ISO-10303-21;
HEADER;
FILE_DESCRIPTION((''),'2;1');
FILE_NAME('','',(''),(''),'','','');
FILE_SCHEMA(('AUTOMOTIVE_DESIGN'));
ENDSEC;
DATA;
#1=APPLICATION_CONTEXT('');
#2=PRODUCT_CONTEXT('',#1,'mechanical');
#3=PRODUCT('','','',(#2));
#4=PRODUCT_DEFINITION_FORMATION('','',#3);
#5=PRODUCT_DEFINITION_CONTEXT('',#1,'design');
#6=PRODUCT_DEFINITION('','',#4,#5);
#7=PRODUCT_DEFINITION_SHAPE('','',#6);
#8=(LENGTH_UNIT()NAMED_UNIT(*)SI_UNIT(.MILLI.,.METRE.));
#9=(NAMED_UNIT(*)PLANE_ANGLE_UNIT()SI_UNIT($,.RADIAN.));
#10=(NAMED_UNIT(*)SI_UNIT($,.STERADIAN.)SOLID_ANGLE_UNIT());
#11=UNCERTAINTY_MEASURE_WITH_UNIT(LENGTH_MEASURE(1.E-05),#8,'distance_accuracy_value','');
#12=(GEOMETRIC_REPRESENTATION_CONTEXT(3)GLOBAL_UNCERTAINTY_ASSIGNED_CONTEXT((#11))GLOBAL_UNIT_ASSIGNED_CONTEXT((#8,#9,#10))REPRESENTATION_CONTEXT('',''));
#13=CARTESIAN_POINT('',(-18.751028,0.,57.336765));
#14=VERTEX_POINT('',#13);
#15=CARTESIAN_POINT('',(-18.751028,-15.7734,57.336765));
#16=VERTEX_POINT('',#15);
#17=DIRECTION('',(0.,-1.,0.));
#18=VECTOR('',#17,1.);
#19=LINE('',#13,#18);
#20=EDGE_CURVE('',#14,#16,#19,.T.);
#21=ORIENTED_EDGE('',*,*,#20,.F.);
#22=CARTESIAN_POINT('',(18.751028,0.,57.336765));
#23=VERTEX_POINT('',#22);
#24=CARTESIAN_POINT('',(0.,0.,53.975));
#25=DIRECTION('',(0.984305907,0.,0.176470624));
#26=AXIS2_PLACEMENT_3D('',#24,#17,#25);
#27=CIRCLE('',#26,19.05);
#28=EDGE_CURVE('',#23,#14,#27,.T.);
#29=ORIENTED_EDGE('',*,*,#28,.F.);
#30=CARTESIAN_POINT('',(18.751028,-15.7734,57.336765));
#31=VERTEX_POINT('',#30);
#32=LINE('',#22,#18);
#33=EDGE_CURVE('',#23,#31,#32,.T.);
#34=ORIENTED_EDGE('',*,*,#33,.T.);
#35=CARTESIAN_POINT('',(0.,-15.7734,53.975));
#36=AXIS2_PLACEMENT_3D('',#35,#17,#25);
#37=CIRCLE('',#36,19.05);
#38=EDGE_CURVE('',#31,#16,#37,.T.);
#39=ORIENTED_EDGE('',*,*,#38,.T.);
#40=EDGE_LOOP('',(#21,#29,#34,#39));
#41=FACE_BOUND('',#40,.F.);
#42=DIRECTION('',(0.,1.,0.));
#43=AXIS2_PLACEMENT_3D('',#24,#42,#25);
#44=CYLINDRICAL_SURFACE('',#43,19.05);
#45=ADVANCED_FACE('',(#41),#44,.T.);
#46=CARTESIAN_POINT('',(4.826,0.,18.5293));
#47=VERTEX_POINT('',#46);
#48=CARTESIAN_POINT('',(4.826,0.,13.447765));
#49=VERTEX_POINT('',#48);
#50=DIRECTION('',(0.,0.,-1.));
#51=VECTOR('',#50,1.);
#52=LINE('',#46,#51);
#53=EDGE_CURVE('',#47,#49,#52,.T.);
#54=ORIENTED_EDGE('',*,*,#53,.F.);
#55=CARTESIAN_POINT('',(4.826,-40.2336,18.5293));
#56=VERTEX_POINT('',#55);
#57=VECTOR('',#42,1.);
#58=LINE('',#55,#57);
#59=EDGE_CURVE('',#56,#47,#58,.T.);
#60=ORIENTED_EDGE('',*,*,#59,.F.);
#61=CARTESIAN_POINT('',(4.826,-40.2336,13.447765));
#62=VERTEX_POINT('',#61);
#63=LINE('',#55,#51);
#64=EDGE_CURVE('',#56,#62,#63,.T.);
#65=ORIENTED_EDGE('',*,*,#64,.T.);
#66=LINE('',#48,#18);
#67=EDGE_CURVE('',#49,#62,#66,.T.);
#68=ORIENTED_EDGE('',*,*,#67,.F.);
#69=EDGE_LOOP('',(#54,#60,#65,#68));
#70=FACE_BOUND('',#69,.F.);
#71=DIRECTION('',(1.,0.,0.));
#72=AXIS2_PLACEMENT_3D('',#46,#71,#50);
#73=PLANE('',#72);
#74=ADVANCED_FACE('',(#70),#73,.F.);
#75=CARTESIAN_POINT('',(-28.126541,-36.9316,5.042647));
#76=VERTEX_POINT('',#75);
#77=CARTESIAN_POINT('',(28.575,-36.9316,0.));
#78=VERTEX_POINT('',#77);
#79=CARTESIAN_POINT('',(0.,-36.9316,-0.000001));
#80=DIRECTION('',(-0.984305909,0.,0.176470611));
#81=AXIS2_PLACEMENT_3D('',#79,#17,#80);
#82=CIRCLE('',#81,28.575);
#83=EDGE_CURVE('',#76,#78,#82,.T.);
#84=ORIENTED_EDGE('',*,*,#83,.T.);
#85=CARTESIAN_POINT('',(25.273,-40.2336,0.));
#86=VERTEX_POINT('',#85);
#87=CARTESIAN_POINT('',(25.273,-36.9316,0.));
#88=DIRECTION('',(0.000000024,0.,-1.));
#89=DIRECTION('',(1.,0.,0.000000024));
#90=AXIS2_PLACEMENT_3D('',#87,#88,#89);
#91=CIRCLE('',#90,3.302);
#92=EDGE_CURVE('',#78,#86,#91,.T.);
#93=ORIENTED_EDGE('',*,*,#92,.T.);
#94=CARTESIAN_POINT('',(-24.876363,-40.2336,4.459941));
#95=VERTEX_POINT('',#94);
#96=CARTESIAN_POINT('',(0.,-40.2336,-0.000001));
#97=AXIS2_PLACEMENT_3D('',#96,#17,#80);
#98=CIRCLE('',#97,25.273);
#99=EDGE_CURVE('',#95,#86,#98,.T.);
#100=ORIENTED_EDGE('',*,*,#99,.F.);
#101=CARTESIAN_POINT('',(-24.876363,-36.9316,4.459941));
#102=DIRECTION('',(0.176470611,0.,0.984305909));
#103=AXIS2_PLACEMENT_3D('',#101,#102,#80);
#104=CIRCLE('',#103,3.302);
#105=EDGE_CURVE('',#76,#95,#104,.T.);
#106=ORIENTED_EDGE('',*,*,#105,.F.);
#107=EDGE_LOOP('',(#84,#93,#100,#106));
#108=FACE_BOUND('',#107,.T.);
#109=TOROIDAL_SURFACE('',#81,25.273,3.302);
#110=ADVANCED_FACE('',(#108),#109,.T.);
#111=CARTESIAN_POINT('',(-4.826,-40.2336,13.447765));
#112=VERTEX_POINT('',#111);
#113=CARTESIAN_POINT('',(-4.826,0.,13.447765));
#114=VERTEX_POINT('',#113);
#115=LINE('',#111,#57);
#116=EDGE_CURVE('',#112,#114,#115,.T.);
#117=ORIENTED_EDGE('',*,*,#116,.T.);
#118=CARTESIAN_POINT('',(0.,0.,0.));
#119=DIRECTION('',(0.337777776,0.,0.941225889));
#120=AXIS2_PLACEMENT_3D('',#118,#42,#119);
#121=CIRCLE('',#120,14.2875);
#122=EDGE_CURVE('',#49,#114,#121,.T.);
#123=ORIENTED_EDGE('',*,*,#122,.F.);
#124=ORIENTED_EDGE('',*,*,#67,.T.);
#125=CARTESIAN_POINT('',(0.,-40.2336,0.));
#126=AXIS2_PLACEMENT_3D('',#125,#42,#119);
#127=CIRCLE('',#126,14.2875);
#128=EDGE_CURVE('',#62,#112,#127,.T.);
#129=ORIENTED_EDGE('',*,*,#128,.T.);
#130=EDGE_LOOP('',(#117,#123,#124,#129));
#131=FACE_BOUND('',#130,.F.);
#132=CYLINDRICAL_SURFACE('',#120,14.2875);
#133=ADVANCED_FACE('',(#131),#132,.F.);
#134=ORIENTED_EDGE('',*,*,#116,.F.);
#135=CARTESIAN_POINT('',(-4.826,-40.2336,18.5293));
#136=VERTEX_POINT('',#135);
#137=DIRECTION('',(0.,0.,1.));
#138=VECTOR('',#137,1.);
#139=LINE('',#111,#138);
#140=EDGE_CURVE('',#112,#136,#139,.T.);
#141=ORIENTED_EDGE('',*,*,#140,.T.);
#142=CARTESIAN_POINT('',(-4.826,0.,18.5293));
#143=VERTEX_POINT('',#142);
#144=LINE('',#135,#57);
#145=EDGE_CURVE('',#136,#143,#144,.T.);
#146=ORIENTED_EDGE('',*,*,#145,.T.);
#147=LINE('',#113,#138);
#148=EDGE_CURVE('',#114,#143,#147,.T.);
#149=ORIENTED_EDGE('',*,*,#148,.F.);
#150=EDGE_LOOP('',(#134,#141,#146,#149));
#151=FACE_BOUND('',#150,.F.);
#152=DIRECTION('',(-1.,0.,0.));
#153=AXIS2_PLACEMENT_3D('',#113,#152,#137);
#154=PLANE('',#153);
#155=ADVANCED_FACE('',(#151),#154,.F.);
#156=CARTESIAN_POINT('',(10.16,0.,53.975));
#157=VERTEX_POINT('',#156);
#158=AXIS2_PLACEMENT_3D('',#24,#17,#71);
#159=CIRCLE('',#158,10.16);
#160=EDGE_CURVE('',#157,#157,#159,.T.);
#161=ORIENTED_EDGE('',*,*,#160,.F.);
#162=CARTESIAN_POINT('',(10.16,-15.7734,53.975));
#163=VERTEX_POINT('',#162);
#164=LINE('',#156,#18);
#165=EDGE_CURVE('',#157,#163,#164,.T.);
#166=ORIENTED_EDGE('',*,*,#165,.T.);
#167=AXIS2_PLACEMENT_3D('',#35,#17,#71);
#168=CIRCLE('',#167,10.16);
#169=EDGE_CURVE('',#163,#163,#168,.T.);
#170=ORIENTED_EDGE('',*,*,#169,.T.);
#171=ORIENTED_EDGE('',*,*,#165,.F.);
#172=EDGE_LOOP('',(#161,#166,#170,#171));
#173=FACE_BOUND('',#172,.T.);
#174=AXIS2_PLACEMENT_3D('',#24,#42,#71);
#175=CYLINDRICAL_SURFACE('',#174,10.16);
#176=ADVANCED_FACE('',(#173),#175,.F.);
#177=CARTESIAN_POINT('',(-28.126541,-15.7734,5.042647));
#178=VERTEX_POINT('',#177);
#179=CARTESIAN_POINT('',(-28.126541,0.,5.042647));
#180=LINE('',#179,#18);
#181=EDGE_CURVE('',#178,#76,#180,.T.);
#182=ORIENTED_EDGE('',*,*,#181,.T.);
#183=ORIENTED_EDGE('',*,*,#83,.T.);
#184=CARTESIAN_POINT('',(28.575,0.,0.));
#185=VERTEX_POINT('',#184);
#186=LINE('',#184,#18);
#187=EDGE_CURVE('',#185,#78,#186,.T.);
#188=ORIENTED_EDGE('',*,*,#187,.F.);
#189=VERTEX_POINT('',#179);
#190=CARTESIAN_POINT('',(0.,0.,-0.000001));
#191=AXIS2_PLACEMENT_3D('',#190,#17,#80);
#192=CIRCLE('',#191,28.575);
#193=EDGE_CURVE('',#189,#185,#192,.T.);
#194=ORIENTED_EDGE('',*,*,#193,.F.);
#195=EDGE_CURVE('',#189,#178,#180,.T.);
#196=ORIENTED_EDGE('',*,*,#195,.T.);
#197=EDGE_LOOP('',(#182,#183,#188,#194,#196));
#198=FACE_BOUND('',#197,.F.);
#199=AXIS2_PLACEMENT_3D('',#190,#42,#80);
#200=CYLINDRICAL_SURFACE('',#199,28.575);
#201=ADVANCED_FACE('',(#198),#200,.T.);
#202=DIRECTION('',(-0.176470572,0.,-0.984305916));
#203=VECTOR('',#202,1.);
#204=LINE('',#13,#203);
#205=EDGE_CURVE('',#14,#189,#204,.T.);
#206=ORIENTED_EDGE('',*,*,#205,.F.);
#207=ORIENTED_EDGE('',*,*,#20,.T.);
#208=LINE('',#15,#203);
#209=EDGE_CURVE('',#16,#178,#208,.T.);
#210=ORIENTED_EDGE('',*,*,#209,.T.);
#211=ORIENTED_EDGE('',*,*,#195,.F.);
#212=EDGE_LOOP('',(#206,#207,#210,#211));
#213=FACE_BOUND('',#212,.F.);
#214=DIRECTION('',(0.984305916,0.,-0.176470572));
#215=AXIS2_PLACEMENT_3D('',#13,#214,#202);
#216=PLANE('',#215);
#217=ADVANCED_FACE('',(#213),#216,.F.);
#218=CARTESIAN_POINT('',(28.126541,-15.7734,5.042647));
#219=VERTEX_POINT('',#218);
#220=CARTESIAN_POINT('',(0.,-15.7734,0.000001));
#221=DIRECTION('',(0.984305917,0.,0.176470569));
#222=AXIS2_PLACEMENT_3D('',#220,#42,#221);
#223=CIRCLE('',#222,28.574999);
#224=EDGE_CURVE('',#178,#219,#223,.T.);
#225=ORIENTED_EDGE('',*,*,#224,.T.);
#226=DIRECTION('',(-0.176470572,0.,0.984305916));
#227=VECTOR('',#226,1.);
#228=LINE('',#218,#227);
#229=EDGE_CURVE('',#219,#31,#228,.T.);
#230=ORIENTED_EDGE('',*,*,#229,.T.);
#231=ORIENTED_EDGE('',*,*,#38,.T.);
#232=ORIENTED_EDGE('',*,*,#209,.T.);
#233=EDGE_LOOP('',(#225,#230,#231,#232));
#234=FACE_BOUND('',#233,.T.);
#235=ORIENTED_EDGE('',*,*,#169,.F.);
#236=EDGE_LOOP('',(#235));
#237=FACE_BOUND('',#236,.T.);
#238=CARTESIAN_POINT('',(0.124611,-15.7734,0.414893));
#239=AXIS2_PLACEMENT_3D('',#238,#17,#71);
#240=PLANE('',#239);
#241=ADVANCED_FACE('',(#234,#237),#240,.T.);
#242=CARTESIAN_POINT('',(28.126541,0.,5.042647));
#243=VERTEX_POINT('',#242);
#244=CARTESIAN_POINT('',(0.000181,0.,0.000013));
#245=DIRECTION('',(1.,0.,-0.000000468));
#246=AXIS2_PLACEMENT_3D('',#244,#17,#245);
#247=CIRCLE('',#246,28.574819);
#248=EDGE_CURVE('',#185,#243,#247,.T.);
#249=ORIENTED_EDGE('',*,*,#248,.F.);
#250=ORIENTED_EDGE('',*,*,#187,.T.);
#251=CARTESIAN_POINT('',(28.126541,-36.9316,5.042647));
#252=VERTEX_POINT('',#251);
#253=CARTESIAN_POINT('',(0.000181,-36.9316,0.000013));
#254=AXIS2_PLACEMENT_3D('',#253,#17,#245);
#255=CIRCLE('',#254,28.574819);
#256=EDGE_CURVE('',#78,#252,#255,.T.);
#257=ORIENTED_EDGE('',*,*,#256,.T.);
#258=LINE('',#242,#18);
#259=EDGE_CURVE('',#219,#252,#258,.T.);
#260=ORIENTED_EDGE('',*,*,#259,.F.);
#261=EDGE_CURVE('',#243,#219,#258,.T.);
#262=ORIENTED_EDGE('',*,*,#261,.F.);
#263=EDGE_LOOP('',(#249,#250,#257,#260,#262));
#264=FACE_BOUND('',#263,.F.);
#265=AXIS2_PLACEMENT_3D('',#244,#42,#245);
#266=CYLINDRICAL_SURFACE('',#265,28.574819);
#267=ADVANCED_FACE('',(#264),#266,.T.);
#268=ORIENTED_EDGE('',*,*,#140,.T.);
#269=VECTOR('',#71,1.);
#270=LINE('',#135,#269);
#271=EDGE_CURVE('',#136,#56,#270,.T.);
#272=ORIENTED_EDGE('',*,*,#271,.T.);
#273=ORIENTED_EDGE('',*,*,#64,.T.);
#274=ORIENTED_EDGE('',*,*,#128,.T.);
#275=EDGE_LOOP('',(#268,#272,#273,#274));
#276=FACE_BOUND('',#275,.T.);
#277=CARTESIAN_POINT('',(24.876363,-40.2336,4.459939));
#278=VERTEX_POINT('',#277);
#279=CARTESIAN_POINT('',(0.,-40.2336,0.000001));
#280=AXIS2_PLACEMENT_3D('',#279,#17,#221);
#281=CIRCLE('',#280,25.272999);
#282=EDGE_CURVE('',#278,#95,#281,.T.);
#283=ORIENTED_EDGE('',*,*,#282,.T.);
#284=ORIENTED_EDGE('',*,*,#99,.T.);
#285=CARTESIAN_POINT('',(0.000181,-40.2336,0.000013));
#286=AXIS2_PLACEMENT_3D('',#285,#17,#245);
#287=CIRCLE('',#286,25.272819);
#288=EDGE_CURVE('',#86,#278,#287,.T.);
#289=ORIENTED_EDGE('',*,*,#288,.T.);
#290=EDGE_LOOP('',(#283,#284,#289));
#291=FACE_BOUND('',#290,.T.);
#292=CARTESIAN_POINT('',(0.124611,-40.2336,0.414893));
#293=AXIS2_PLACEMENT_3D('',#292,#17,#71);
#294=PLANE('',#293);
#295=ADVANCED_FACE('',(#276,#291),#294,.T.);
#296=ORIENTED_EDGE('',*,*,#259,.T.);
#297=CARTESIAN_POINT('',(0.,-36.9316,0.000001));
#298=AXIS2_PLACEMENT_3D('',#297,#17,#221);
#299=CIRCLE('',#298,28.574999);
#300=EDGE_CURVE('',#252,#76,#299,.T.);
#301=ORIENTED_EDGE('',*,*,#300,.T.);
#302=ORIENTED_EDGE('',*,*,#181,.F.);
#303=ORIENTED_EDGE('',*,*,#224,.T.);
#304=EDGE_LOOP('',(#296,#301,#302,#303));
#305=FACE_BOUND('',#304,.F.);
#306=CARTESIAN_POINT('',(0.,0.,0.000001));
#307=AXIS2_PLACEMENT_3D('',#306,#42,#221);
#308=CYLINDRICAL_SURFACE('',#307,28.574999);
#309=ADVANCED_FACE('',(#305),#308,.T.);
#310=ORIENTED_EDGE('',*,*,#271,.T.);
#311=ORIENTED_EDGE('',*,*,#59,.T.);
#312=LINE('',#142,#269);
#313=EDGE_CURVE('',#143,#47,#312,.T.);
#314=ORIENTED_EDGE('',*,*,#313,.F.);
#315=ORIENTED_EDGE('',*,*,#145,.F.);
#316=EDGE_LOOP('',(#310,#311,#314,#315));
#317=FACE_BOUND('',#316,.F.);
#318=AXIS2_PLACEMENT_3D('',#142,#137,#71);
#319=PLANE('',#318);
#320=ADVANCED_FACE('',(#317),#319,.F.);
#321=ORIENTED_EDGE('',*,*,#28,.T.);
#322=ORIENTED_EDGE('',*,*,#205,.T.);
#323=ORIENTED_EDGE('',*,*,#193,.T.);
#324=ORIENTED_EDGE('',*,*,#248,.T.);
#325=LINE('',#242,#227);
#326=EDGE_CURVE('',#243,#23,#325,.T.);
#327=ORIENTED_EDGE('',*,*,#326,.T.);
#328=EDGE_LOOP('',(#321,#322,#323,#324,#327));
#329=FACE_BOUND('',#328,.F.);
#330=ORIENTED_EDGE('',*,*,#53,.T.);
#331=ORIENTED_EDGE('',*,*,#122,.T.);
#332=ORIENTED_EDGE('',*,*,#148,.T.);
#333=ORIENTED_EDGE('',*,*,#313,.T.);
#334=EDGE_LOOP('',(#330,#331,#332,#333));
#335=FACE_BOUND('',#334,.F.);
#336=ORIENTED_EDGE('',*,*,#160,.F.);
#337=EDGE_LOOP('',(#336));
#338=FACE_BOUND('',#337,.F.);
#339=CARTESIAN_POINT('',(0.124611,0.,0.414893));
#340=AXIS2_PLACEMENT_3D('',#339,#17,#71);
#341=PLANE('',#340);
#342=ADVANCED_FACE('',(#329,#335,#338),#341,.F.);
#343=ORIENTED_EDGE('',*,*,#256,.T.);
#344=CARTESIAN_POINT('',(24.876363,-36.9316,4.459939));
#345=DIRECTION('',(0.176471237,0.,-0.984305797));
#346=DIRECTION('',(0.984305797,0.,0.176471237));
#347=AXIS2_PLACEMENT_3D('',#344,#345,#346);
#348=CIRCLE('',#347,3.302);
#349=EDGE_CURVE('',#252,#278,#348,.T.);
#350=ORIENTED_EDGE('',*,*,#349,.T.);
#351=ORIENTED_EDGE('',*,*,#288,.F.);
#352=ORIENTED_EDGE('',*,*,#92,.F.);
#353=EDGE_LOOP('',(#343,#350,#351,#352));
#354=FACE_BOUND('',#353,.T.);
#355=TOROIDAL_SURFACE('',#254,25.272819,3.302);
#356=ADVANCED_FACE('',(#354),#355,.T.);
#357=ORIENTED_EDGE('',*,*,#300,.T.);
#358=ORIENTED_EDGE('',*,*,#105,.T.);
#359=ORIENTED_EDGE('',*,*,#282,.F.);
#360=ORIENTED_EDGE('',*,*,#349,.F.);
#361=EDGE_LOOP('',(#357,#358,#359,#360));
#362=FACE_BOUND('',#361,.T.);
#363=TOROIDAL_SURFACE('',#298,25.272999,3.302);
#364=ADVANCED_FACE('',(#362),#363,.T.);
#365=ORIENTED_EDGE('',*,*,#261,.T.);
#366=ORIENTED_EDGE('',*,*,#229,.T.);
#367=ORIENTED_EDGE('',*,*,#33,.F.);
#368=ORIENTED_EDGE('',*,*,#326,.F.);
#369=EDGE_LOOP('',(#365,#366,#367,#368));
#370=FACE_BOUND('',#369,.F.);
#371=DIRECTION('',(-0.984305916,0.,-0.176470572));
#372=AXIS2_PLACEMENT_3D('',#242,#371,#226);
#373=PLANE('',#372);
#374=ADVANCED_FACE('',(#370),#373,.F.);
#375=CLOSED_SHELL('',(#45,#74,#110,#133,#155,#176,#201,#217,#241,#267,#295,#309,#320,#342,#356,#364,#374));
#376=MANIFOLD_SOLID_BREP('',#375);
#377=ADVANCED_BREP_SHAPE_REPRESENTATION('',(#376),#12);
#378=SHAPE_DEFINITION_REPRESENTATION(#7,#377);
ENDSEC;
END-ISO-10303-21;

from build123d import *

# Parameters (mm, degrees)
F1_DEPTH = 40.2336
F0_R     = 10.16
F2_DEPTH = 15.7734
F3_R     = 3.302


with BuildPart() as f1:
    # F0 (on Front) → F1 (new body)
    with BuildSketch(Plane.XZ):
        with BuildLine():
            ThreePointArc((-28.126541, 5.042647), (-2.531275, -28.462665), (28.575, 0))
            ThreePointArc((28.575, 0), (28.462665, 2.531275), (28.126541, 5.042647))
            ThreePointArc((28.126541, 5.042647), (0, 28.575), (-28.126541, 5.042647))
        make_face()
        with BuildLine():
            ThreePointArc((4.826, 13.447765), (0, -14.2875), (-4.826, 13.447765))
            Line((-4.826, 13.447765), (-4.826, 18.5293))
            Line((-4.826, 18.5293), (4.826, 18.5293))
            Line((4.826, 18.5293), (4.826, 13.447765))
        make_face(mode=Mode.SUBTRACT)
    extrude(amount=F1_DEPTH)

    # F0 (on Front) → F2 (join)
    with BuildSketch(Plane.XZ):
        with BuildLine():
            ThreePointArc((-28.126541, 5.042647), (-2.531275, -28.462665), (28.575, 0))
            ThreePointArc((28.575, 0), (28.462665, 2.531275), (28.126541, 5.042647))
            ThreePointArc((28.126541, 5.042647), (0, 28.575), (-28.126541, 5.042647))
        make_face()
        with BuildLine():
            ThreePointArc((4.826, 13.447765), (0, -14.2875), (-4.826, 13.447765))
            Line((-4.826, 13.447765), (-4.826, 18.5293))
            Line((-4.826, 18.5293), (4.826, 18.5293))
            Line((4.826, 18.5293), (4.826, 13.447765))
        make_face(mode=Mode.SUBTRACT)
        with BuildLine():
            ThreePointArc((-28.126541, 5.042647), (0, 28.575), (28.126541, 5.042647))
            Line((28.126541, 5.042647), (18.751028, 57.336765))
            ThreePointArc((18.751028, 57.336765), (0, 73.025), (-18.751028, 57.336765))
            Line((-18.751028, 57.336765), (-28.126541, 5.042647))
        make_face()
        with Locations((0, 53.975)):
            Circle(F0_R, mode=Mode.SUBTRACT)
    extrude(amount=F2_DEPTH)

    # F3
    f3_edges = [f1.edges().sort_by_distance(p)[0] for p in [
        (-28.575, -40.2336, 0),
    ]]
    fillet(f3_edges, radius=F3_R)


solid = f1.part
